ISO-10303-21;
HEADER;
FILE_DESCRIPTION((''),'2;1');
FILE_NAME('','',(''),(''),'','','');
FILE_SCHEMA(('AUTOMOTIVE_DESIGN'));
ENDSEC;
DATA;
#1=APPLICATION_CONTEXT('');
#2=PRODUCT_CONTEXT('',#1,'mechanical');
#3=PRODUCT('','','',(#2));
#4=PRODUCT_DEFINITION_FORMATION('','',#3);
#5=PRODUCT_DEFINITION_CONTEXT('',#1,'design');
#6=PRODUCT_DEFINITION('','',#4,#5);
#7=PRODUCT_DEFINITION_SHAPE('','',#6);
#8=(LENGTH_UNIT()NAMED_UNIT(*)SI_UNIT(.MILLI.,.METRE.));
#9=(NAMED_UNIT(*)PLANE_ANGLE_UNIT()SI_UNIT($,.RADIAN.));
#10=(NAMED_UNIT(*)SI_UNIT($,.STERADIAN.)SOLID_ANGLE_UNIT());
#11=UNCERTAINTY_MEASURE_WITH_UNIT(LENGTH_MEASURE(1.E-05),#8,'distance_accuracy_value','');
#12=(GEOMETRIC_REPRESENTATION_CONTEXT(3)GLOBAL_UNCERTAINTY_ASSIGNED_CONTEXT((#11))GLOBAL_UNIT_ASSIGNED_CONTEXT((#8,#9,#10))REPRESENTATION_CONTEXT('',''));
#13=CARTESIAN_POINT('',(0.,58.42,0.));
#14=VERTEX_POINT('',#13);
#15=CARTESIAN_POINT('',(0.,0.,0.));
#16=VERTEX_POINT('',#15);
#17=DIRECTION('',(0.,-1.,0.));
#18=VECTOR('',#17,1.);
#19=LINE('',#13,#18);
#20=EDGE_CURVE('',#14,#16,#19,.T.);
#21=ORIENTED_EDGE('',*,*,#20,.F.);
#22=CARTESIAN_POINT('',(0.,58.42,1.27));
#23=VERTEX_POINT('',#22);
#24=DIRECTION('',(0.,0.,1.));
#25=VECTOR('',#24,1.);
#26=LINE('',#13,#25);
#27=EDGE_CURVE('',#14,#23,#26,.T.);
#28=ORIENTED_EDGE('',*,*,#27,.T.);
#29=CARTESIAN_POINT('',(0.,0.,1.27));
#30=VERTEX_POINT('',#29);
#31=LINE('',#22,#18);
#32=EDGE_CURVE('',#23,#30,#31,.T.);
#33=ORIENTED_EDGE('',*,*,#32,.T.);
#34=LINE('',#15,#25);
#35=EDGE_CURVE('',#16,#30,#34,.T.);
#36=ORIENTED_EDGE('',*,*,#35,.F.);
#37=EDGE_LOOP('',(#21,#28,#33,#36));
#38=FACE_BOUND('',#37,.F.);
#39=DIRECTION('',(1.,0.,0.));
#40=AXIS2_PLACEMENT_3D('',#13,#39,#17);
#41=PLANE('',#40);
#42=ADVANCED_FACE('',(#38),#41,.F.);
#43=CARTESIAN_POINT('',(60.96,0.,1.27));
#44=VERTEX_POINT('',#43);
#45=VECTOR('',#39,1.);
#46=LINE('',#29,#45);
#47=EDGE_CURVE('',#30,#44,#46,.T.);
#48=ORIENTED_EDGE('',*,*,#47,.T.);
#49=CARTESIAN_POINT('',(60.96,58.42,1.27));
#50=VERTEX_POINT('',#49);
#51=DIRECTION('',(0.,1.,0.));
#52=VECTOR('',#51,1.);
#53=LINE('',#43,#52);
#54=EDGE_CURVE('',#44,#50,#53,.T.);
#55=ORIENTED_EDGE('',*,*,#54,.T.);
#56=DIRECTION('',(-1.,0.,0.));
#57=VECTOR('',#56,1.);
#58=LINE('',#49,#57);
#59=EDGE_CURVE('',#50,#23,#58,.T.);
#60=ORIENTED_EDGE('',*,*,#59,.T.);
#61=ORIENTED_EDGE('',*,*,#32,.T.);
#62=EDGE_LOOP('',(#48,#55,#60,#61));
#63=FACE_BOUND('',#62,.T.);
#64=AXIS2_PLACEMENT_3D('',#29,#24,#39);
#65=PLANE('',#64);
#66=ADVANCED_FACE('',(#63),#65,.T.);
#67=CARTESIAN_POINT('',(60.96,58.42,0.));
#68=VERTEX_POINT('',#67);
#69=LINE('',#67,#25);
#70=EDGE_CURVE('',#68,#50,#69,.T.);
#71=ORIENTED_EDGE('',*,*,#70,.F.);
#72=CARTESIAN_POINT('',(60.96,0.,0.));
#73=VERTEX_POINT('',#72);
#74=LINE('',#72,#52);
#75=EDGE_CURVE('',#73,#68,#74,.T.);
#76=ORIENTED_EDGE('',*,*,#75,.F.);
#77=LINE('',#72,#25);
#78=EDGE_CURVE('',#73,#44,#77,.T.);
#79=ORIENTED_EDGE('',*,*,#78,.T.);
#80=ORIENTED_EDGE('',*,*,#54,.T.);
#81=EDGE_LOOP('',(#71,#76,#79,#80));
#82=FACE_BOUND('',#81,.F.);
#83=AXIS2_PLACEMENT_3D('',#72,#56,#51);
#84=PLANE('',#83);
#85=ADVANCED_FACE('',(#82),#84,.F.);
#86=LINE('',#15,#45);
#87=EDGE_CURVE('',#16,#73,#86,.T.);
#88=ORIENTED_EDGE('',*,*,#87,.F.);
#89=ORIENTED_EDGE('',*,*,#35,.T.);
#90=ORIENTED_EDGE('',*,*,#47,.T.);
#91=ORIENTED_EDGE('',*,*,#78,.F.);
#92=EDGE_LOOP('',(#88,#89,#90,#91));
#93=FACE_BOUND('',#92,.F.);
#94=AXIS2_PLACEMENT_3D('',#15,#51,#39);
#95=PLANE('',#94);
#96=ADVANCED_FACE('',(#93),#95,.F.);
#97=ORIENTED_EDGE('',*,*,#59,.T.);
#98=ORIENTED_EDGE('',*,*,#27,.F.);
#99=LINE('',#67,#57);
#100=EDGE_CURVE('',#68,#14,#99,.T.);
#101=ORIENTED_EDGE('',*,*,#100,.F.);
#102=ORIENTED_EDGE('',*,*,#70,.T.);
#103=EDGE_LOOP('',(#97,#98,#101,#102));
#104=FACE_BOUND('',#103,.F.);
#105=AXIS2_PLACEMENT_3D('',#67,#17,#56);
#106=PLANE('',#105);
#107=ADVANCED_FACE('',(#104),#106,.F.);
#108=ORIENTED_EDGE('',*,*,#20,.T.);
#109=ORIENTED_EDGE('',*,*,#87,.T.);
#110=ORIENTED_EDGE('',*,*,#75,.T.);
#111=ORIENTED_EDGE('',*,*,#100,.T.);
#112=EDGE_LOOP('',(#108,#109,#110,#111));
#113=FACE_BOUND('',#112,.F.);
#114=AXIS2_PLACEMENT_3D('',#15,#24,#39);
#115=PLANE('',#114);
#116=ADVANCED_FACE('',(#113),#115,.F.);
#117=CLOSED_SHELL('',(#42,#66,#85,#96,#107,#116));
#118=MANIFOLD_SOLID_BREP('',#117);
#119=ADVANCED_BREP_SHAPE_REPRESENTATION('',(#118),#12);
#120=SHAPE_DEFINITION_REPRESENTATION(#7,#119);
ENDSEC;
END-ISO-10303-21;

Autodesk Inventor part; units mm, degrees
ref_plane "YZ Plane" through (0, 0, 0) normal (1, 0, 0) x (0, 1, 0)
ref_plane "XZ Plane" through (0, 0, 0) normal (0, 1, 0) x (-1, 0, 0)
ref_plane "XY Plane" through (0, 0, 0) normal (0, 0, 1) x (1, 0, 0)
sketch "Sketch1" plane through (0, 0, 0) normal (0, 0, 1) x (1, 0, 0)
  line L0 (0, 0) -> (60.96, 0)
  line L1 (60.96, 0) -> (60.96, 58.42)
  line L2 (60.96, 58.42) -> (0, 58.42)
  line L3 (0, 58.42) -> (0, 0)
  dimension "d0" = 60.96
  dimension "d1" = 58.42
extrude "Extrusion1" add sketch "Sketch1" along normal blind 1.27
properties part number "Eagle_Board"
